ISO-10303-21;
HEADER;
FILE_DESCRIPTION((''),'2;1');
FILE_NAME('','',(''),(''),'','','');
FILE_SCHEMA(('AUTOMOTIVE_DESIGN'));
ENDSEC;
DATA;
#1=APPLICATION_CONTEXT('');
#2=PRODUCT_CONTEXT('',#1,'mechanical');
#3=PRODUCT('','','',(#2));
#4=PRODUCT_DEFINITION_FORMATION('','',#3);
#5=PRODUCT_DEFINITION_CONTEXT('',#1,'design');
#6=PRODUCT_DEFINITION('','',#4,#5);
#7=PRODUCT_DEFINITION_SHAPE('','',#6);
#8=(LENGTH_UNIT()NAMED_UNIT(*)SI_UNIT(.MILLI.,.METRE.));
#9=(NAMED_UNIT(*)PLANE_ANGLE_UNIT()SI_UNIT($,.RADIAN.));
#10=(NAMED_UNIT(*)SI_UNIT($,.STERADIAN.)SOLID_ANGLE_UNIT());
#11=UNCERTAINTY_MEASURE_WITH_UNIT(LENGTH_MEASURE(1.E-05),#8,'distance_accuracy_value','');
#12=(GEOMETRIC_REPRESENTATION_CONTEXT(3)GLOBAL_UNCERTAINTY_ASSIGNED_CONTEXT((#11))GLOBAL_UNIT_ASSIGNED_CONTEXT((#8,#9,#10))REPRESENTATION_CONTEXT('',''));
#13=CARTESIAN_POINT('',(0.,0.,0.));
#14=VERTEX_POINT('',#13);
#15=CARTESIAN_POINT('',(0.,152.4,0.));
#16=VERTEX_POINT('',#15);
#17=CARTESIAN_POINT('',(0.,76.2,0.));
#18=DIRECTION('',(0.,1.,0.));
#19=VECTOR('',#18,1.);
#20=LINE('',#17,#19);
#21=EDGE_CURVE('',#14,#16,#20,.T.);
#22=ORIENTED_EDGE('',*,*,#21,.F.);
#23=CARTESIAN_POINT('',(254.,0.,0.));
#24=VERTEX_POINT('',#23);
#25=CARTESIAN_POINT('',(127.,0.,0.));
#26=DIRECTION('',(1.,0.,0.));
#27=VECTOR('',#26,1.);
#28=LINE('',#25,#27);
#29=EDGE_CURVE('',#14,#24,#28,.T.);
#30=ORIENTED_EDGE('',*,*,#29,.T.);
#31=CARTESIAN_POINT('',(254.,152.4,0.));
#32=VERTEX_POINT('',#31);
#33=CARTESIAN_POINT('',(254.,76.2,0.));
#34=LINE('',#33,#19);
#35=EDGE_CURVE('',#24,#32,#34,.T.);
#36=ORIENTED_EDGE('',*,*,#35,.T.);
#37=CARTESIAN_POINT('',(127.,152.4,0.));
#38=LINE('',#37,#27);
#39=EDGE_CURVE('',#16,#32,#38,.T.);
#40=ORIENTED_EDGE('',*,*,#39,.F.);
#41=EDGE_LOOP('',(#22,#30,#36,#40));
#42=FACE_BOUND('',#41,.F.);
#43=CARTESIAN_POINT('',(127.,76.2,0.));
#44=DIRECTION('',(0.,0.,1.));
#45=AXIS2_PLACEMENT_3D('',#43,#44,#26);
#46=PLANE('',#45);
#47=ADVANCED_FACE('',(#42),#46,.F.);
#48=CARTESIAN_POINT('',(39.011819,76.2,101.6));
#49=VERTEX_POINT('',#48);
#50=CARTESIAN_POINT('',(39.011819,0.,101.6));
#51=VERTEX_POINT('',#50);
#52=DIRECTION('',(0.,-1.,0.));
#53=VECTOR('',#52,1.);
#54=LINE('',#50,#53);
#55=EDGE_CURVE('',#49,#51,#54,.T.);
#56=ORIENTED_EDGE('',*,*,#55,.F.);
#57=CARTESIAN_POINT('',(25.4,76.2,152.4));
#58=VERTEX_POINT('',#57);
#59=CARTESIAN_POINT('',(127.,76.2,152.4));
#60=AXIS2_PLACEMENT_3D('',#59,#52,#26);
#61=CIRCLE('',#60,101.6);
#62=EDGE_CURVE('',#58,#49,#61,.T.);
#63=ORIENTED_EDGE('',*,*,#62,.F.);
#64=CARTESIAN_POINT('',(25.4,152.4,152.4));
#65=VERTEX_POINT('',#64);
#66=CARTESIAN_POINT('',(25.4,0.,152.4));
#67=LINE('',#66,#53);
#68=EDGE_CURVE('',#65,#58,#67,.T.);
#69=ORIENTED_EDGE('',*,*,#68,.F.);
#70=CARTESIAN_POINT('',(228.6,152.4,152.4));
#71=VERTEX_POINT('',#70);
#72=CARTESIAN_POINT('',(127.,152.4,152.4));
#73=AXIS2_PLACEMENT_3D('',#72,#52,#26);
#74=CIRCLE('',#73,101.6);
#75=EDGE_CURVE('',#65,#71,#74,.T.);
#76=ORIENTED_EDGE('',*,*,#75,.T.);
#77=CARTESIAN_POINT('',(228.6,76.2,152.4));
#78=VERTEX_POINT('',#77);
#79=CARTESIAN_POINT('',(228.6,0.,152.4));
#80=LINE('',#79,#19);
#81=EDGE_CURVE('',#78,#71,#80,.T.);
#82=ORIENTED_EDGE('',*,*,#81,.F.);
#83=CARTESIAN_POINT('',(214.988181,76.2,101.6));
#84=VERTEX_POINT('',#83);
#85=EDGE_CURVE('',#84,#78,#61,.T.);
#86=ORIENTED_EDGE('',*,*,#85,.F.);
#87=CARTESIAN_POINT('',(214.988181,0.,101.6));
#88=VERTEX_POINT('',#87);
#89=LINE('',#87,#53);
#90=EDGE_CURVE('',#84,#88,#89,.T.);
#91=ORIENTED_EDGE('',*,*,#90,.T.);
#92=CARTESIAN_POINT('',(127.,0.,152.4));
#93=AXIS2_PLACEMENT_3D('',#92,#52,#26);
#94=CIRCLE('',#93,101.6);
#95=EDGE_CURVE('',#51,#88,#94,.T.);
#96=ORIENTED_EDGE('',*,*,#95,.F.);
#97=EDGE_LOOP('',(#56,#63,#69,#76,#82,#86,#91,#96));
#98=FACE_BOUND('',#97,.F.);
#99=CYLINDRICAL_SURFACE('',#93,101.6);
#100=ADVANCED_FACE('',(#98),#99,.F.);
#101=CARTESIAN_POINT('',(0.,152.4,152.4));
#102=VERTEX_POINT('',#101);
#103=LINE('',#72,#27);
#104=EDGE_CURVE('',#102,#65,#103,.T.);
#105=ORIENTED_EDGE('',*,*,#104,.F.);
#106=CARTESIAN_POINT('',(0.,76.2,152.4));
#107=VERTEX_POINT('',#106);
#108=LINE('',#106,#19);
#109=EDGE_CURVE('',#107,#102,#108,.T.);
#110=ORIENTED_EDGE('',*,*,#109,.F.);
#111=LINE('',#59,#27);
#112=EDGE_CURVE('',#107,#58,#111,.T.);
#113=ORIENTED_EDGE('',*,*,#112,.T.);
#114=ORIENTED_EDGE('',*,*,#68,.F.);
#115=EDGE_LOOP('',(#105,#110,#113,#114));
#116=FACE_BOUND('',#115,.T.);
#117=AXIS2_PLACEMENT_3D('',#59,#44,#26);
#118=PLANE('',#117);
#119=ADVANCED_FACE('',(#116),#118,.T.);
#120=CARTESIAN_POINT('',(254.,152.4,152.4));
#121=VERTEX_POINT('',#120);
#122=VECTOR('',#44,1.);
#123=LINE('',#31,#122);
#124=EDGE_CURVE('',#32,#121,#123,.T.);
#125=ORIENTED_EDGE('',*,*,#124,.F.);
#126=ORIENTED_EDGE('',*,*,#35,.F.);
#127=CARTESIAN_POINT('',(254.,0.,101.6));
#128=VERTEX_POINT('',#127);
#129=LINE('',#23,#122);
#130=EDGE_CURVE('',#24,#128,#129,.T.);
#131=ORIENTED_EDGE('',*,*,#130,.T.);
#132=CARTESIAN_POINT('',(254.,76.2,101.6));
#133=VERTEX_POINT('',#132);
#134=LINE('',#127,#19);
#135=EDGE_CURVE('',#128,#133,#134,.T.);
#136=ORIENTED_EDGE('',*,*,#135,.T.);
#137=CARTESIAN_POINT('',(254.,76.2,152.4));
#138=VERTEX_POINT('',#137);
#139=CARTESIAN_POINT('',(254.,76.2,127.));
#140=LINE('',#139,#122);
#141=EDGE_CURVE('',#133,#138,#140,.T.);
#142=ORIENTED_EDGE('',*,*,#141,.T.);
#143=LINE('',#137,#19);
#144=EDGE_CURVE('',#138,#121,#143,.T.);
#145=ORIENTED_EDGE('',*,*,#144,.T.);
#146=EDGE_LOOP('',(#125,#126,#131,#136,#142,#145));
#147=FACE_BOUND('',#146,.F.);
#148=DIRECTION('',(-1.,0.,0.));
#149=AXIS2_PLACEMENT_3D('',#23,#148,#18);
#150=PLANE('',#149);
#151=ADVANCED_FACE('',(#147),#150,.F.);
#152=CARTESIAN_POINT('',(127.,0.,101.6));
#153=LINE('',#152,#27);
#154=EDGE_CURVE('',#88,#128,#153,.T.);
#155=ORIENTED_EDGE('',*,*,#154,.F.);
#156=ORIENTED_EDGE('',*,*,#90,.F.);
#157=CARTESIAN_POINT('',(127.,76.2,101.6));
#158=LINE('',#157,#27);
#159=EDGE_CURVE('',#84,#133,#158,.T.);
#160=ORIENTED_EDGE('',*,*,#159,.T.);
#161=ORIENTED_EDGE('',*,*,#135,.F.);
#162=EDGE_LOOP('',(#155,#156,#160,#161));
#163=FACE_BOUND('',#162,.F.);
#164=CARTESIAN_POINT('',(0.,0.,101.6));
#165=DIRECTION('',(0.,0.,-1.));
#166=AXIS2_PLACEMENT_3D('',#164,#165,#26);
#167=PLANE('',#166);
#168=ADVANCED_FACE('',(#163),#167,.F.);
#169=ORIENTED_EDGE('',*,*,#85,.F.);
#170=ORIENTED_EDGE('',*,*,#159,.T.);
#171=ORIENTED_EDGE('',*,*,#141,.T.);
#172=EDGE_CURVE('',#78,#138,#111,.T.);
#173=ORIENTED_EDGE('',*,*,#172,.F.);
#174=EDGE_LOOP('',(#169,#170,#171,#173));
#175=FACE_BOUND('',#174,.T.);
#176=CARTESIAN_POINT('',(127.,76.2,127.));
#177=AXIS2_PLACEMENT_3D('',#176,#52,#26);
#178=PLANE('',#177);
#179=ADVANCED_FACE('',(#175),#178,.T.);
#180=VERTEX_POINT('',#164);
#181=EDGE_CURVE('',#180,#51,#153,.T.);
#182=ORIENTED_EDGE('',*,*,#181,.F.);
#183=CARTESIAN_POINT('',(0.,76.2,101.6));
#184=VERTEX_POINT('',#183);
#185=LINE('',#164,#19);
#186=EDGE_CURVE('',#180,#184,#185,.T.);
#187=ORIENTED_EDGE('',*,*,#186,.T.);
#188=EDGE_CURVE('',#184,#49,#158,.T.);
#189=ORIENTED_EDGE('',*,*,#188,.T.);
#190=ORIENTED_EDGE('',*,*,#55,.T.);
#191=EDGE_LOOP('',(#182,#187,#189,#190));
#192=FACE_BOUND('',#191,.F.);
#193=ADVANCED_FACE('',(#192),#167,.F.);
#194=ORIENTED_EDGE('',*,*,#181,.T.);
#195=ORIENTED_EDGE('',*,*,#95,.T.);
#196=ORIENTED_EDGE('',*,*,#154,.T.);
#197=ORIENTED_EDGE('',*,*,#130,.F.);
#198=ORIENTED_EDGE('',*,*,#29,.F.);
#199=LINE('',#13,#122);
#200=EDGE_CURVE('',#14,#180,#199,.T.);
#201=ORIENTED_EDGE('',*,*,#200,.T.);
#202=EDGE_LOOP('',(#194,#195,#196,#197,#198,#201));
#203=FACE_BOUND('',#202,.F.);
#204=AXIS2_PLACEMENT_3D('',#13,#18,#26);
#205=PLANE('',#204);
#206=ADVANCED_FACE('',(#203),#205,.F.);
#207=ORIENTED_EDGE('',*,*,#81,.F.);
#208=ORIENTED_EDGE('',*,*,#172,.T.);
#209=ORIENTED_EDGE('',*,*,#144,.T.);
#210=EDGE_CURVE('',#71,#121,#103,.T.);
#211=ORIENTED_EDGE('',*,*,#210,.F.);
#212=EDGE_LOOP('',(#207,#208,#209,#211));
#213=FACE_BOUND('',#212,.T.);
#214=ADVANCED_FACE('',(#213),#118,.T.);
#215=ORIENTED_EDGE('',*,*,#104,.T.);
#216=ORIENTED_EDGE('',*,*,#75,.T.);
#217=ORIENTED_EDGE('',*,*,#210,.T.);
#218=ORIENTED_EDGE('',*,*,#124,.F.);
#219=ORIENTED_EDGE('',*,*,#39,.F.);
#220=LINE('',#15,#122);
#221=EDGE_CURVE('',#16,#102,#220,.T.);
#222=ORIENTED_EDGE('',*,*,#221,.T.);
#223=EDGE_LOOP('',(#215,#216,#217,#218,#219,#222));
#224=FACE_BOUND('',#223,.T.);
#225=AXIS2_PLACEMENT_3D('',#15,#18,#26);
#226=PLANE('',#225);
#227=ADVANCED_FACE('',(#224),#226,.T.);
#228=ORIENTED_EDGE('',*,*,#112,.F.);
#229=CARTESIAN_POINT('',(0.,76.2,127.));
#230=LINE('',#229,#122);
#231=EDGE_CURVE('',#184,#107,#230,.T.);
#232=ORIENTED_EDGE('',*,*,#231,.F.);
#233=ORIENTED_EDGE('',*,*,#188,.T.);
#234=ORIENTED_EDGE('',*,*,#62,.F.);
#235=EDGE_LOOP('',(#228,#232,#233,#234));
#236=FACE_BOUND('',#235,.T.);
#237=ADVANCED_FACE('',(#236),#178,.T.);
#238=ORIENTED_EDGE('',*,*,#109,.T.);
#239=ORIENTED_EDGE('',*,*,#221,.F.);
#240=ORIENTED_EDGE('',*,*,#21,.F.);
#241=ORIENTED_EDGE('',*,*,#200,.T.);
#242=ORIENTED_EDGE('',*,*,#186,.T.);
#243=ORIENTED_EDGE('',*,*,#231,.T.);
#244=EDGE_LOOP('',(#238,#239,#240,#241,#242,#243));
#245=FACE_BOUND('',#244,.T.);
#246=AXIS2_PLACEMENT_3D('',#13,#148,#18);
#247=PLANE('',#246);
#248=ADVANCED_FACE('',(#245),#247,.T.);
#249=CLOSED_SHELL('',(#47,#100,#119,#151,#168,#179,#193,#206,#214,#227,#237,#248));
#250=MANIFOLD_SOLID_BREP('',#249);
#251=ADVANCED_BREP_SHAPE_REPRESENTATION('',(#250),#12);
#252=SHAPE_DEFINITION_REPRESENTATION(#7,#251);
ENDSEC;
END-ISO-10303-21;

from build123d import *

# Parameters (mm, degrees)
F0_W     = 254
F0_H     = 152.4
F1_DEPTH = 152.4
F2_R     = 101.6
F3_DEPTH = 152.4
F4_W     = 254
F4_H     = 50.8
F5_DEPTH = 76.2


with BuildPart() as f1:
    # F0 (on Top) → F1 (new body)
    with BuildSketch(Plane.XY):
        with Locations((127, 76.2)):
            Rectangle(F0_W, F0_H)
    extrude(amount=F1_DEPTH)

    # F2 (on face) → F3 (cut)
    with BuildSketch(Plane.XZ):
        with Locations((127, 152.4)):
            Circle(F2_R)
    extrude(amount=-F3_DEPTH, mode=Mode.SUBTRACT)

    # F4 (on face) → F5 (cut)
    with BuildSketch(Plane.XZ):
        with Locations((127, 127)):
            Rectangle(F4_W, F4_H)
    extrude(amount=-F5_DEPTH, mode=Mode.SUBTRACT)


solid = f1.part
